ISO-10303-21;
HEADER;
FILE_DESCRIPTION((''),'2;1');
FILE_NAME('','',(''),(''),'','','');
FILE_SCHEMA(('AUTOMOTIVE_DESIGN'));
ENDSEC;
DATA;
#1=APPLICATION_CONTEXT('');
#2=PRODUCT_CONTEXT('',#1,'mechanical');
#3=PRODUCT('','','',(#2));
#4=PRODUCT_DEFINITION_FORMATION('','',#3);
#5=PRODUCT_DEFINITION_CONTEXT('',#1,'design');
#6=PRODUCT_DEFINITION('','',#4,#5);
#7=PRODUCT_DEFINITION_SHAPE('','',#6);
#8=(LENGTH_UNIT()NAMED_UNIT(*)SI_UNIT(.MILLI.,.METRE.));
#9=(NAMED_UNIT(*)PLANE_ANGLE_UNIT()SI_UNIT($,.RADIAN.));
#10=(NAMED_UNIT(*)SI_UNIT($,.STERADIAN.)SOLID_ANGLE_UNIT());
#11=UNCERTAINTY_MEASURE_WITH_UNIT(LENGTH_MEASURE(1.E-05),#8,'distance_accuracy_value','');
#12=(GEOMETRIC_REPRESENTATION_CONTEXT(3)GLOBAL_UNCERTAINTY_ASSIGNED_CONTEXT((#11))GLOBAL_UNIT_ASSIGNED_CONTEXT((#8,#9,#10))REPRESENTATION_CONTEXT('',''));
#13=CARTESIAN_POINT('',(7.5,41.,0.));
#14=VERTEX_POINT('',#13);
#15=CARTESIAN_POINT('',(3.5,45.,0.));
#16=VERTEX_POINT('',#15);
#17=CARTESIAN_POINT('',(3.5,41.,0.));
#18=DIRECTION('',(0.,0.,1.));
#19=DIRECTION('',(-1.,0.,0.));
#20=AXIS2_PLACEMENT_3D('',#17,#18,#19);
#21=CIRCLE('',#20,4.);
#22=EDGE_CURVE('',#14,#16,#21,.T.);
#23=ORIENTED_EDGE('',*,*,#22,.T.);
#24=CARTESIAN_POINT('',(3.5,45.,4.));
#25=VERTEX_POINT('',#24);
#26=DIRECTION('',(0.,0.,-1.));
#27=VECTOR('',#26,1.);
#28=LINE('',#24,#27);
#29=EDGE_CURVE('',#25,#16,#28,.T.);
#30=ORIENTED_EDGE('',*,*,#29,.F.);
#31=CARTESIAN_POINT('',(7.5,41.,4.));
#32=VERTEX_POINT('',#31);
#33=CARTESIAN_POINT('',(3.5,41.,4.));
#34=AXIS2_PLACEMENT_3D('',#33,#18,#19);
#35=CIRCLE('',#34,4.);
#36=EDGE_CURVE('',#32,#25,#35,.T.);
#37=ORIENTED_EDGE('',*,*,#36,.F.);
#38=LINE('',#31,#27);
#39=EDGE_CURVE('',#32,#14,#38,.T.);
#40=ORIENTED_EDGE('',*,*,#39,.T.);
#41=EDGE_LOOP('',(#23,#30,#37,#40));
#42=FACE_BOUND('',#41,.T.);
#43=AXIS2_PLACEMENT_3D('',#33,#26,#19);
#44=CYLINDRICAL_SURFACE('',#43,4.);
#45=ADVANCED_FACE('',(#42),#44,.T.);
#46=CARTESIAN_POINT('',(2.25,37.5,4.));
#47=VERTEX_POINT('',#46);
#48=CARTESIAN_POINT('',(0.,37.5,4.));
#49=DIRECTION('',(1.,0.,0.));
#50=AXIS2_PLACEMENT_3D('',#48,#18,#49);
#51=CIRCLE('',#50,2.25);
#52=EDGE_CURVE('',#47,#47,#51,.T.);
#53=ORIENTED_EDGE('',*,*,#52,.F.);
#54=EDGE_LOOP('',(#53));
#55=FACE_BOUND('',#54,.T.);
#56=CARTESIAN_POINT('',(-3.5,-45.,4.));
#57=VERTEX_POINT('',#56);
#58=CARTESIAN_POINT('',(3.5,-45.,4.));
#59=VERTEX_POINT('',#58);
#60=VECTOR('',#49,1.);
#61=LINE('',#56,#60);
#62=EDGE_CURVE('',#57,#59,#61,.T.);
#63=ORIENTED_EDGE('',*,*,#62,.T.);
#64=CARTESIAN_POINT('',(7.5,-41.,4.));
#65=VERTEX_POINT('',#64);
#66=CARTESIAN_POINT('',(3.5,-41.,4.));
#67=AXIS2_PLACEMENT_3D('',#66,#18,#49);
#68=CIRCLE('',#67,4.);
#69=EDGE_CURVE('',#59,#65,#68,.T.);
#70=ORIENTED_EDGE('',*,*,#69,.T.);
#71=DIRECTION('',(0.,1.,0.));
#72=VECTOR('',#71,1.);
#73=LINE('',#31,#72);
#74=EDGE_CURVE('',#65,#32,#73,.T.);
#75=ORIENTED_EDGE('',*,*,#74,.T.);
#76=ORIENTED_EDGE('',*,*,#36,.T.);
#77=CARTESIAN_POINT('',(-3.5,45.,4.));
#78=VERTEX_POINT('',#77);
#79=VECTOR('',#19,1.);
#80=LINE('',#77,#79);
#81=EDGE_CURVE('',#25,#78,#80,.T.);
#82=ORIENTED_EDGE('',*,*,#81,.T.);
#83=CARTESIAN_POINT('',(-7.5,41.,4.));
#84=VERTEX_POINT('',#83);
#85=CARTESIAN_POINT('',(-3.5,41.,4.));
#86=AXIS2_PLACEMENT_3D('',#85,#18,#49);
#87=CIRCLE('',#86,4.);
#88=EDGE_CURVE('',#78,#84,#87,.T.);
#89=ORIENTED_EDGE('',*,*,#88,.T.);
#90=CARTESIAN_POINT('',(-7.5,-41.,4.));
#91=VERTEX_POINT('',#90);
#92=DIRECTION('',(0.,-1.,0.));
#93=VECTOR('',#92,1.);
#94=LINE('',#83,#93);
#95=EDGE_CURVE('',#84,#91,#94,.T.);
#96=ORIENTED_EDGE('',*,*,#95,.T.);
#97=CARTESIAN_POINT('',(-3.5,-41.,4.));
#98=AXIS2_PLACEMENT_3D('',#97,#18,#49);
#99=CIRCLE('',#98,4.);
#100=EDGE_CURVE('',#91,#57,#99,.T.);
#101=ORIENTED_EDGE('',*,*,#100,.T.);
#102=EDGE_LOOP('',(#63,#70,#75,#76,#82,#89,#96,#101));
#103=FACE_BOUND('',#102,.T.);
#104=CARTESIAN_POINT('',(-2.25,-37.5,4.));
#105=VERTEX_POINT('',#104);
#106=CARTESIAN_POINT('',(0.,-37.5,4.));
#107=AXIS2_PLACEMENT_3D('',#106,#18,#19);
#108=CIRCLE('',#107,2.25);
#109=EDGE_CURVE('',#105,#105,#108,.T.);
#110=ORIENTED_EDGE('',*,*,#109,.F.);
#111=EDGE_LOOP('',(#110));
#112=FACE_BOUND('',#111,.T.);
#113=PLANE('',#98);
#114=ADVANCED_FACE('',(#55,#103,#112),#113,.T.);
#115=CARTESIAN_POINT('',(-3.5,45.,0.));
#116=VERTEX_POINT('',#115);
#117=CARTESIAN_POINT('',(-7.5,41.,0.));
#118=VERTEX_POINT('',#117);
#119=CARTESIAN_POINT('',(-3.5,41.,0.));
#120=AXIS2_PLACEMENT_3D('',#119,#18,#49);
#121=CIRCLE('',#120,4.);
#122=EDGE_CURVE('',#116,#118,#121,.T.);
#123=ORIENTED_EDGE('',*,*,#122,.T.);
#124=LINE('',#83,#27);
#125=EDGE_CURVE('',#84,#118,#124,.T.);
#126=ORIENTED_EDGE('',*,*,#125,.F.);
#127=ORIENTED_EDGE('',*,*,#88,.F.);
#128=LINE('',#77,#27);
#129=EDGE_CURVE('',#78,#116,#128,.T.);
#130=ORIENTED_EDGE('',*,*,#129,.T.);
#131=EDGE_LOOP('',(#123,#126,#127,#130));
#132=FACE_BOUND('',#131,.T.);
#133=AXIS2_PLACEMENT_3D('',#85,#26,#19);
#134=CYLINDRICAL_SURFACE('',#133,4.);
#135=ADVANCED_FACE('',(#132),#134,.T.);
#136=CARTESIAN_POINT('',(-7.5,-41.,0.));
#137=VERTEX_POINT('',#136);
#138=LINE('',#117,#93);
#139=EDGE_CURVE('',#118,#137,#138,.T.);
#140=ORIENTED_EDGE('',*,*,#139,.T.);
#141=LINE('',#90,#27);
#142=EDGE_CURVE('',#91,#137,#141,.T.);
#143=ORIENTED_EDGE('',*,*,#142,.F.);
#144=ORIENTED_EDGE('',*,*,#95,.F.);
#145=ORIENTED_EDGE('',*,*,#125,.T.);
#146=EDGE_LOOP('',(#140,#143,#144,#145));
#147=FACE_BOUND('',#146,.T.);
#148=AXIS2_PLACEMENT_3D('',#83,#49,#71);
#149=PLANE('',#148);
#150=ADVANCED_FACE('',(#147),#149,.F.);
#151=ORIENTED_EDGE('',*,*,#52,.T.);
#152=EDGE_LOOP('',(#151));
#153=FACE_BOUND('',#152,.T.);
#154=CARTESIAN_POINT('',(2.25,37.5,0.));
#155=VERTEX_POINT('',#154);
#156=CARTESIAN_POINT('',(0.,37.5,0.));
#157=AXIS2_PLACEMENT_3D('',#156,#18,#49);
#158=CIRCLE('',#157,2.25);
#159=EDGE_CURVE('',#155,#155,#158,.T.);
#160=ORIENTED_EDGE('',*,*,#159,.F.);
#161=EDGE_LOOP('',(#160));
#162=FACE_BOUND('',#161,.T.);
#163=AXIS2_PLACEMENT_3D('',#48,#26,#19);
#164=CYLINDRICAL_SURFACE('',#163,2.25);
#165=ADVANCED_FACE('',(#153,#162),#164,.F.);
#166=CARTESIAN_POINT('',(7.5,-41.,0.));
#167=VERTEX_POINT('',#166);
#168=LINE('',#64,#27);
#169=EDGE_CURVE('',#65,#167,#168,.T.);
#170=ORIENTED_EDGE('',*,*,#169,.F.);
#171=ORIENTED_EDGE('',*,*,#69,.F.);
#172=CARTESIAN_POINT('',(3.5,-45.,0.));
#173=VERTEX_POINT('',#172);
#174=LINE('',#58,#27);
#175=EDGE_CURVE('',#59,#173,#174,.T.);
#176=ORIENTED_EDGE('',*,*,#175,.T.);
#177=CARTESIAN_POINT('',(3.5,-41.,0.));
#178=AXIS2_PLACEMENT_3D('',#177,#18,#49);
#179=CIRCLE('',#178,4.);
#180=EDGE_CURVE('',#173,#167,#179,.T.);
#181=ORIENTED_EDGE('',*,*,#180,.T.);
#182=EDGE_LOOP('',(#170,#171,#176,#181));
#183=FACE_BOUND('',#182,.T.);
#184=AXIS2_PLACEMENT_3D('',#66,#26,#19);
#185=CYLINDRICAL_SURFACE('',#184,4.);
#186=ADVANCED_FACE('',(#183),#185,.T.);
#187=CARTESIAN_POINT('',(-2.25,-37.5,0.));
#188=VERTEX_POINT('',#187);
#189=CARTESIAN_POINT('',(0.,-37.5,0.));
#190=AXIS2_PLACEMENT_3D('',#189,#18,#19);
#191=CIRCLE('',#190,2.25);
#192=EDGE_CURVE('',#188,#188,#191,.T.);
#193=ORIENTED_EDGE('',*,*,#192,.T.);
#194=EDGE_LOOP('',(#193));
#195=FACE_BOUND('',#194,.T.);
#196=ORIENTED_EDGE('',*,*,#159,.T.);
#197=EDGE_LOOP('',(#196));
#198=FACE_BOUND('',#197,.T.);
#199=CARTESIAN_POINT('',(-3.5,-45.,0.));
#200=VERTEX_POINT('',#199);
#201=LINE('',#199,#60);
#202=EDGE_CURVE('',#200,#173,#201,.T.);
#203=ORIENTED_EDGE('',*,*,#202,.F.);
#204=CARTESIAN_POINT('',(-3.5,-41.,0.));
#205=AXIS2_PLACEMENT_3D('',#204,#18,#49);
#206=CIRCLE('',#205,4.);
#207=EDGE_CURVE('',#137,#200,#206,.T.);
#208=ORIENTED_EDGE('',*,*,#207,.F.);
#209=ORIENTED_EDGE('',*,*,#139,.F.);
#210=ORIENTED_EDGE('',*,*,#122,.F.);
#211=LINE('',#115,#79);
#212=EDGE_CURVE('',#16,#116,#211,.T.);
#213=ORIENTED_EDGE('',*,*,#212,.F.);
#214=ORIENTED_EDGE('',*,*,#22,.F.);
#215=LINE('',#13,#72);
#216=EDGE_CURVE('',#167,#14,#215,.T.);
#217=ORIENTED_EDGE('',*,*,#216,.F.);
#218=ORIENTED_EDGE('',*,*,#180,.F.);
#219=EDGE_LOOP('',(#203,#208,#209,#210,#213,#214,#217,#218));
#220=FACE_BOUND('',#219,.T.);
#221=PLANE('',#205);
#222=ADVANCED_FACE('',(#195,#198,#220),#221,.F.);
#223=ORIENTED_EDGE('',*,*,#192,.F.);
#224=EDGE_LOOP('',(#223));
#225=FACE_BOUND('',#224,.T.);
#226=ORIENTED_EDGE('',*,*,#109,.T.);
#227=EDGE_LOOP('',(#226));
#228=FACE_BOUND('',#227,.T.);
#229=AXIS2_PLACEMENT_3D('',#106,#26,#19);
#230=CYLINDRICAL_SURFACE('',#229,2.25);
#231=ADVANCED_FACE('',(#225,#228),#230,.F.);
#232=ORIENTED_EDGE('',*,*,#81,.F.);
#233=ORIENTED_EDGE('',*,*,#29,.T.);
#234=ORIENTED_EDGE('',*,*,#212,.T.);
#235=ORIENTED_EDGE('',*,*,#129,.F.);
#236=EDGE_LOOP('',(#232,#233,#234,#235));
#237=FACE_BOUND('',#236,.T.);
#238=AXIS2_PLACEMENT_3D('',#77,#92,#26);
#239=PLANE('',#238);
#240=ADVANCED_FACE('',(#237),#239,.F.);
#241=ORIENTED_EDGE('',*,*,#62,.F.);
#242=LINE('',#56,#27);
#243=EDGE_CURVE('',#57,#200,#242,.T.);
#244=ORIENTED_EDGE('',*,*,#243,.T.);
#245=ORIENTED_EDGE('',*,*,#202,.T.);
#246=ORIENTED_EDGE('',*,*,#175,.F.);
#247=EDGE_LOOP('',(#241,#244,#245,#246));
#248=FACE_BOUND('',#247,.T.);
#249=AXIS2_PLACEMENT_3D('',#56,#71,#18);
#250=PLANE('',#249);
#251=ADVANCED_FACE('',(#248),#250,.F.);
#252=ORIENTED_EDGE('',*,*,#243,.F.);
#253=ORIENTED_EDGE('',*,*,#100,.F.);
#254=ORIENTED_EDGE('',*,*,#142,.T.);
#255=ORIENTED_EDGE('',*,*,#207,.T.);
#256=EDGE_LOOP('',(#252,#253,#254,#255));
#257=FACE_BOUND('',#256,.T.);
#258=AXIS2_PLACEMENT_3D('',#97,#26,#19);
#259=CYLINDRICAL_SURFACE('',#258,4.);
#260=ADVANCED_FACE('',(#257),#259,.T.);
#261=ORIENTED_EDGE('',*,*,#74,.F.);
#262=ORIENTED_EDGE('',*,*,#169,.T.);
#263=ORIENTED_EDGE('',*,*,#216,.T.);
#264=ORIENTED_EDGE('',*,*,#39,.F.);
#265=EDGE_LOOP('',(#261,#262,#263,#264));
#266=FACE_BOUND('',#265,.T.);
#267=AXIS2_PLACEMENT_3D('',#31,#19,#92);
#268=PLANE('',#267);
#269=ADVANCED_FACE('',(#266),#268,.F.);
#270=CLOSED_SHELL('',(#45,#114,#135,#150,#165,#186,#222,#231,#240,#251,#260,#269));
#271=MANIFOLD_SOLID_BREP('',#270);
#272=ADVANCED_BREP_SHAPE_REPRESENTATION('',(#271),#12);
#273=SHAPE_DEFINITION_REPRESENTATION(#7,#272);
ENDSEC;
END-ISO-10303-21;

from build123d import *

# Parameters (mm, degrees)
SKETCH1_R           = 2.25
BOSS_EXTRUDE2_DEPTH = 4


with BuildPart() as part:
    # Sketch1 → Boss-Extrude2 (new body)
    with BuildSketch(Plane.XY):
        with BuildLine():
            Line((-3.5, 45), (3.5, 45))
            ThreePointArc((3.5, 45), (6.328427125, 43.828427125), (7.5, 41))
            Line((7.5, 41), (7.5, -41))
            ThreePointArc((7.5, -41), (6.328427125, -43.828427125), (3.5, -45))
            Line((3.5, -45), (-3.5, -45))
            ThreePointArc((-3.5, -45), (-6.328427125, -43.828427125), (-7.5, -41))
            Line((-7.5, -41), (-7.5, 41))
            ThreePointArc((-7.5, 41), (-6.328427125, 43.828427125), (-3.5, 45))
        make_face()
        with Locations((0, 37.5)):
            Circle(SKETCH1_R, mode=Mode.SUBTRACT)
        with Locations(Location((0, -37.5, 0), (0, 0, 180))):
            Circle(SKETCH1_R, mode=Mode.SUBTRACT)
    extrude(amount=BOSS_EXTRUDE2_DEPTH)


solid = part.part
